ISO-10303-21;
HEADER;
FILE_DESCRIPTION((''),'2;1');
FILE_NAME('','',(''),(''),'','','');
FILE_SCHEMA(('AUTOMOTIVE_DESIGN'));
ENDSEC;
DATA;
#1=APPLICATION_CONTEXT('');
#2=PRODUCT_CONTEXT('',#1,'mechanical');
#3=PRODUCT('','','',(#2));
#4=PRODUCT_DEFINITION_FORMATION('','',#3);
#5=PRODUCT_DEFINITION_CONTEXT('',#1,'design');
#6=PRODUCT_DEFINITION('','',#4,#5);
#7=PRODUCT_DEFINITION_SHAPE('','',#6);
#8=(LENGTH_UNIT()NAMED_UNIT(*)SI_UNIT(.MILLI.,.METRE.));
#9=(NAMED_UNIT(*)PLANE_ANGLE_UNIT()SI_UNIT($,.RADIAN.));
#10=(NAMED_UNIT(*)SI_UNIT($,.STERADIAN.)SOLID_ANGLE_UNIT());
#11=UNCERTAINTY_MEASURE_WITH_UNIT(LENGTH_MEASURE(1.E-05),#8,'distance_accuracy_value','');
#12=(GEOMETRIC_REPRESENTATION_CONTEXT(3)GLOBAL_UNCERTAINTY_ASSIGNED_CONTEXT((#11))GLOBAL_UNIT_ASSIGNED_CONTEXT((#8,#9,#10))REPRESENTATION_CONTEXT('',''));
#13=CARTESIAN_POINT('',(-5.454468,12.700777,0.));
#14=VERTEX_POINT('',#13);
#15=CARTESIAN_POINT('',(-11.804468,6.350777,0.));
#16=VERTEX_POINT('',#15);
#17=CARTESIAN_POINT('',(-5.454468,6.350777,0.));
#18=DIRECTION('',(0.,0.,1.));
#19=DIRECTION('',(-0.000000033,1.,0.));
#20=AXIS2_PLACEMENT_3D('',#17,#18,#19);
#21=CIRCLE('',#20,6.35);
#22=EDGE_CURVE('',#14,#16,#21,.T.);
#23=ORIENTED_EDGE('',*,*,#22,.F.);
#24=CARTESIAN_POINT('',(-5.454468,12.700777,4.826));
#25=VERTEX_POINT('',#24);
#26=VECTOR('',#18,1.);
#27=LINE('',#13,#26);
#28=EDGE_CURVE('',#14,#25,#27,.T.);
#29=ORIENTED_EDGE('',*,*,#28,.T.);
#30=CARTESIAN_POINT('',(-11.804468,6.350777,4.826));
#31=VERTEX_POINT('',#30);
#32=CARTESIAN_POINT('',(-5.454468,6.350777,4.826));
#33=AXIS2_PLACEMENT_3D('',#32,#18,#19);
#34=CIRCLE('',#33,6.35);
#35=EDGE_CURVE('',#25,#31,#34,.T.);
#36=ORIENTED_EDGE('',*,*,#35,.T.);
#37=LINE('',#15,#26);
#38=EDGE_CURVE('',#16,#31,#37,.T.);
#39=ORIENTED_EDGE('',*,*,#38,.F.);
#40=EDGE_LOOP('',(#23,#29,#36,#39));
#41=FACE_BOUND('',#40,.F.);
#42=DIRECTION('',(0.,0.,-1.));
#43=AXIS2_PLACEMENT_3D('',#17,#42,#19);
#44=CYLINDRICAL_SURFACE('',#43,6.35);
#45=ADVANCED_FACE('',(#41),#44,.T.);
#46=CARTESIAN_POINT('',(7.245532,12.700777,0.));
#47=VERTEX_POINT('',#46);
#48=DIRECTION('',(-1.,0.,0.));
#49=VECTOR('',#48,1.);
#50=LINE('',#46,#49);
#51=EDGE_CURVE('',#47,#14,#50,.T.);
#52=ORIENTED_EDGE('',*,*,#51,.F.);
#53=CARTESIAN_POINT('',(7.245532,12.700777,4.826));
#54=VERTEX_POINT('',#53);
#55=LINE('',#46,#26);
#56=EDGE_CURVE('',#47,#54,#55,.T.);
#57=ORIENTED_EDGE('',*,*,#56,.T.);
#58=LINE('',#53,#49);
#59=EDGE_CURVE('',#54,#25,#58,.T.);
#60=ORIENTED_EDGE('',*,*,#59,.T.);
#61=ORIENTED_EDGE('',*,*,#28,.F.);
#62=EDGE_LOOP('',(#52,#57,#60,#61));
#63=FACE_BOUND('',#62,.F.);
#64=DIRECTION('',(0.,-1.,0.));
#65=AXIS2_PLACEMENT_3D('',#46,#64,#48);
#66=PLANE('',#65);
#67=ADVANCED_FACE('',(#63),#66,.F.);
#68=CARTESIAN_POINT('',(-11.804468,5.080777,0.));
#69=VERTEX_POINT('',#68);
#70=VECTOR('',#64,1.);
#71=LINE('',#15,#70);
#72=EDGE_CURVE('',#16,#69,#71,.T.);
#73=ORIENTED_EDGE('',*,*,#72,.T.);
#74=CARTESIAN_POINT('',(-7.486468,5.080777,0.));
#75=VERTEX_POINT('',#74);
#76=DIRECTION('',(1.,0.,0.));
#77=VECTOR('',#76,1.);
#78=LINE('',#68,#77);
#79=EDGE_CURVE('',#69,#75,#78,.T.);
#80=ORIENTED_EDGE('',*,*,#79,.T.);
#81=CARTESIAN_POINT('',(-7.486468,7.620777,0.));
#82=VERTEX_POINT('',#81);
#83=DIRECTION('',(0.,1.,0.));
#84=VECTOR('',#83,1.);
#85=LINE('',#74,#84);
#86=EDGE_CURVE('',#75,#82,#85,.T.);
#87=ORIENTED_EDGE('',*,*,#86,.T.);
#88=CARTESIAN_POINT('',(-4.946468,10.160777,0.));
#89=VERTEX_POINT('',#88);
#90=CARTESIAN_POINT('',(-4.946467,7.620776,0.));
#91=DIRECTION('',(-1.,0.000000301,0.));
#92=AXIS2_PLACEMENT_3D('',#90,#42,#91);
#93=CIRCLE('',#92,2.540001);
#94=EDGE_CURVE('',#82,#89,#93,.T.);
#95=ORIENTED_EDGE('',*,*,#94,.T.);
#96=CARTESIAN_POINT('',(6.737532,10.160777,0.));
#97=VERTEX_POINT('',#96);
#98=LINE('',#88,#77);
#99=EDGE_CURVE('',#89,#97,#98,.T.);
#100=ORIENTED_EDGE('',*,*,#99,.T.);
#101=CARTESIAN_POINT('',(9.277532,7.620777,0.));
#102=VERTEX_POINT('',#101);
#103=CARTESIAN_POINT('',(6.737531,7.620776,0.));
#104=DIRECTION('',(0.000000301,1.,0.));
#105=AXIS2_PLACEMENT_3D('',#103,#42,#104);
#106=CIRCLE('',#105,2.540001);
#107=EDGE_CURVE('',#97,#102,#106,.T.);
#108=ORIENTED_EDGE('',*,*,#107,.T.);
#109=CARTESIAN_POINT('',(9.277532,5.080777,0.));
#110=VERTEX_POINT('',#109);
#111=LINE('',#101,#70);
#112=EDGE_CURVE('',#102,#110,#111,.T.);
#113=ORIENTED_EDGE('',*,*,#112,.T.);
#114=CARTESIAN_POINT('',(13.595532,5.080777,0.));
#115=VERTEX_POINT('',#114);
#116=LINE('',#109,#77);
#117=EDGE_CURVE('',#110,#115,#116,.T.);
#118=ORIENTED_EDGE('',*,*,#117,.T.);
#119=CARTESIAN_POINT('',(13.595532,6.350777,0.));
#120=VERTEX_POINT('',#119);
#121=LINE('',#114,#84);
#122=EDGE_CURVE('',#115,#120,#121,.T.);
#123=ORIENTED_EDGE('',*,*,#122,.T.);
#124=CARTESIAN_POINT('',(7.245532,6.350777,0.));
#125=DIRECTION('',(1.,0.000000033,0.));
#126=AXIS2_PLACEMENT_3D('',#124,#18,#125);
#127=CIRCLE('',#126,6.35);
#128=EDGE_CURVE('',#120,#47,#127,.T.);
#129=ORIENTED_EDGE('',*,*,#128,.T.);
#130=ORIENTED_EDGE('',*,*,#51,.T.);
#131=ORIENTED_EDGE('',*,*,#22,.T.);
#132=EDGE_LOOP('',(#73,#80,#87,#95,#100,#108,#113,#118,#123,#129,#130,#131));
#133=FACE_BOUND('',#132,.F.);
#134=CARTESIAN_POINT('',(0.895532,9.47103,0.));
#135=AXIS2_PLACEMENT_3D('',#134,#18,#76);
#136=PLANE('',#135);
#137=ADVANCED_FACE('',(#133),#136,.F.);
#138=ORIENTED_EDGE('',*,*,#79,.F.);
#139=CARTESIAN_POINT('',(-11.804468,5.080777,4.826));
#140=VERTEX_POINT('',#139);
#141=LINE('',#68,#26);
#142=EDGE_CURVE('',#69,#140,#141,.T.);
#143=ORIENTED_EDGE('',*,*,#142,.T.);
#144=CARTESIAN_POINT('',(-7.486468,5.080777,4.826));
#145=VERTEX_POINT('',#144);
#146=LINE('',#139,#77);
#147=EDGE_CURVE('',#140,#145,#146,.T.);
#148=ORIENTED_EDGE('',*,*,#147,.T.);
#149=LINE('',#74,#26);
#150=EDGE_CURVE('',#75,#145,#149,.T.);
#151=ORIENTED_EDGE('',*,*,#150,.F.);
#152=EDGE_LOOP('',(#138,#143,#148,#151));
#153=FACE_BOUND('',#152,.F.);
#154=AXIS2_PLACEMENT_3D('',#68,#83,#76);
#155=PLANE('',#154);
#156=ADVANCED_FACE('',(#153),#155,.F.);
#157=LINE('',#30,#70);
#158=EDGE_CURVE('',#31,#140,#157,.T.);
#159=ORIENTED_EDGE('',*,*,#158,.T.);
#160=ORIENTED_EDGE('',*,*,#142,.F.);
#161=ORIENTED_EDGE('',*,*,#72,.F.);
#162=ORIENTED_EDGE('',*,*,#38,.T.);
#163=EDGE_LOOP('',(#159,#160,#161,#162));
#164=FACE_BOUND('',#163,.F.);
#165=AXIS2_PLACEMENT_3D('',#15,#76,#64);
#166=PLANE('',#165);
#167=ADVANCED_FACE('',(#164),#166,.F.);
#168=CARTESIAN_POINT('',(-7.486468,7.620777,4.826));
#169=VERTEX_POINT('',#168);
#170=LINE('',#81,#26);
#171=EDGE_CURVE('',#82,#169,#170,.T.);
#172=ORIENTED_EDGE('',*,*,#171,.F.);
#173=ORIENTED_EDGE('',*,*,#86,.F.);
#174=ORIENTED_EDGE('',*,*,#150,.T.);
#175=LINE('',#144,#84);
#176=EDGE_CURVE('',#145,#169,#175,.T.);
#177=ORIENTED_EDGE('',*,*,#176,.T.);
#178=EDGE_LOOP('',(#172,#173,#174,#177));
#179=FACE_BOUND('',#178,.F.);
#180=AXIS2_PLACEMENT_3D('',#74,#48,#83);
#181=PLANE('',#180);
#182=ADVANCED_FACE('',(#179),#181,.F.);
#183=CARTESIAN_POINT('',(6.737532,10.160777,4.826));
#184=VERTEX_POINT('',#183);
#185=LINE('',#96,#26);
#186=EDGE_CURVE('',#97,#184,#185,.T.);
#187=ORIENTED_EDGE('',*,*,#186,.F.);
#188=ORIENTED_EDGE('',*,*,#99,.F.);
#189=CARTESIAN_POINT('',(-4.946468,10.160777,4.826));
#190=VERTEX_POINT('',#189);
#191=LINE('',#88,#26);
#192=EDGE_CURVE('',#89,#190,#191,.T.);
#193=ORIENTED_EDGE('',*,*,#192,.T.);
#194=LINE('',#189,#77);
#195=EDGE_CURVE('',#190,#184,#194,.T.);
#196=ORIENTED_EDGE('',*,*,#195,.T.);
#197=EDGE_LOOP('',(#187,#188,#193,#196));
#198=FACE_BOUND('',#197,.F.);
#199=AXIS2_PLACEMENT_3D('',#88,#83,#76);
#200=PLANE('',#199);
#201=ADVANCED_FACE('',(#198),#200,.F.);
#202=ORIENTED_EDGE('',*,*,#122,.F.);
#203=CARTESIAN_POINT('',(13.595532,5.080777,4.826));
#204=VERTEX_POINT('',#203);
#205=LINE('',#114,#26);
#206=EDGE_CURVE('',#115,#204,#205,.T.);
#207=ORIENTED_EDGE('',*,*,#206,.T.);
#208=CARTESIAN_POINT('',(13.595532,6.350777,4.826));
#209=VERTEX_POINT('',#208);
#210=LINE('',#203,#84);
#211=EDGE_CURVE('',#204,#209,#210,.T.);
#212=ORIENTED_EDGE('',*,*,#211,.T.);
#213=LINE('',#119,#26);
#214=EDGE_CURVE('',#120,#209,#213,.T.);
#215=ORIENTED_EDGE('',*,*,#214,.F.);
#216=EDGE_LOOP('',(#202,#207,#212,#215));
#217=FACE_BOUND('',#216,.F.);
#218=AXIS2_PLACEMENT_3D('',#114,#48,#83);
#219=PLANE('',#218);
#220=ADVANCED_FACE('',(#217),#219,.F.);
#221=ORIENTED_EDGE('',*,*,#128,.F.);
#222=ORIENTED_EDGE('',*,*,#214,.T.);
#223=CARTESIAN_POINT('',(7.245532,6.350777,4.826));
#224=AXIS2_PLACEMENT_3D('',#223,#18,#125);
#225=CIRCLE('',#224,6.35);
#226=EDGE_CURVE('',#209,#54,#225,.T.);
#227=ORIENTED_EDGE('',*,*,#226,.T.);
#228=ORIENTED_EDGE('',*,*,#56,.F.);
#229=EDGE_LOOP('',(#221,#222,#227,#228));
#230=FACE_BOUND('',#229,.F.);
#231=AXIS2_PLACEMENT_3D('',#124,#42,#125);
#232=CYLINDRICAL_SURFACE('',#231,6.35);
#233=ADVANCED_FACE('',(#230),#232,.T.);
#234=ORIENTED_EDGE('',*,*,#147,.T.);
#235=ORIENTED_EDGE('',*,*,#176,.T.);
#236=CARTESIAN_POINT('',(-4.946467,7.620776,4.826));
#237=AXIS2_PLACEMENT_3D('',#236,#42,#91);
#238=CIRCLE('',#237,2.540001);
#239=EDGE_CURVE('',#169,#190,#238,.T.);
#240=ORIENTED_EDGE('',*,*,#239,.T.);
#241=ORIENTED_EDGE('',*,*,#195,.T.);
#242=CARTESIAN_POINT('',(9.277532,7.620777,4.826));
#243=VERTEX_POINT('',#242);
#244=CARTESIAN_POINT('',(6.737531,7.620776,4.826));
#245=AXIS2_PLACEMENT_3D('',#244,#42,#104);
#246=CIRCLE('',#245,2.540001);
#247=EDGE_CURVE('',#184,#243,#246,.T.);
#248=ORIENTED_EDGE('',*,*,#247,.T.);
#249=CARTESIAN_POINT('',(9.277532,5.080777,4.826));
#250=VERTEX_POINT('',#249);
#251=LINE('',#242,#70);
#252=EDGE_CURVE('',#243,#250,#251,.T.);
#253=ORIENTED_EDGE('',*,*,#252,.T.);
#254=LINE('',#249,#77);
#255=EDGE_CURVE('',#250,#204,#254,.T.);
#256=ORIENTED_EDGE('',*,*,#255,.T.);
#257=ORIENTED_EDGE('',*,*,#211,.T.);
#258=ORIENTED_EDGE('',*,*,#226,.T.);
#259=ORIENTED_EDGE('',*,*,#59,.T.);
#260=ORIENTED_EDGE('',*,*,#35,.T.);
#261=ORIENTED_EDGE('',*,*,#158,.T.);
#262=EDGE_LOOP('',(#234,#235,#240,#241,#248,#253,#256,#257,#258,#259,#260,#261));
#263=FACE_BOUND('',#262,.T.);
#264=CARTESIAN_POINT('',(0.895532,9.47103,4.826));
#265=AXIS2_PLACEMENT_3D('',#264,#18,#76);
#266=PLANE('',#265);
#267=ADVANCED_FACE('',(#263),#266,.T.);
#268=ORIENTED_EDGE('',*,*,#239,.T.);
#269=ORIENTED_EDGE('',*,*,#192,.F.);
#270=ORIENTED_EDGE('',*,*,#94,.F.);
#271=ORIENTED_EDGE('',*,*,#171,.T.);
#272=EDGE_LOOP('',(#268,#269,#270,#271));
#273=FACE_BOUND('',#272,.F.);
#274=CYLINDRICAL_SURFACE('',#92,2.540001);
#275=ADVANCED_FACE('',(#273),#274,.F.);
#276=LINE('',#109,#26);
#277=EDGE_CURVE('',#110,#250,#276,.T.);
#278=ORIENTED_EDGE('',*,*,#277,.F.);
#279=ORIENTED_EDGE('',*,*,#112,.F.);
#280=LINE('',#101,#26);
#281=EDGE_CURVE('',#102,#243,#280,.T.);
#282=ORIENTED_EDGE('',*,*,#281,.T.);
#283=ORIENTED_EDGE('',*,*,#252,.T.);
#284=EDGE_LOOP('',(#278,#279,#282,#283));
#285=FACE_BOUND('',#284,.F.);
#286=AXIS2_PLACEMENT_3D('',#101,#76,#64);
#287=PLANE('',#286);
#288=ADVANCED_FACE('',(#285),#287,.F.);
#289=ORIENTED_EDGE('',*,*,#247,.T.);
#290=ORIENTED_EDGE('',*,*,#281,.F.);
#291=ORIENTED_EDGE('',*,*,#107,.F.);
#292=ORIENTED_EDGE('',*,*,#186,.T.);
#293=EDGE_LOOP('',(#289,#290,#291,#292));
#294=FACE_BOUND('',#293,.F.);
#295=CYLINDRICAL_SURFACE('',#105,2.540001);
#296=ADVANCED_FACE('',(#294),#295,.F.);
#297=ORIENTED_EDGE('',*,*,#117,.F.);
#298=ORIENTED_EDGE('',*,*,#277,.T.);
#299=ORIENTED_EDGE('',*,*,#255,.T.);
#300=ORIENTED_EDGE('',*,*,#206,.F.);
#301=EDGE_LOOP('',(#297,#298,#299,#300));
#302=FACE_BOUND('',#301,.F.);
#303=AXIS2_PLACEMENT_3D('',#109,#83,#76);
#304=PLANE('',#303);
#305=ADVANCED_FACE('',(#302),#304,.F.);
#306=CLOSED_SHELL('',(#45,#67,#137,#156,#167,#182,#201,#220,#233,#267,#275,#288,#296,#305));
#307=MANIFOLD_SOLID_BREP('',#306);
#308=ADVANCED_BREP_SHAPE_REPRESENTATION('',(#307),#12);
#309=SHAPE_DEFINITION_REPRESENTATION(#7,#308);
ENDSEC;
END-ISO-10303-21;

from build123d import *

# Parameters (mm, degrees)
F1_DEPTH = 4.826


with BuildPart() as f1:
    # F0 (on Top) → F1 (new body)
    with BuildSketch(Plane.XY):
        with BuildLine():
            Line((-11.804468, 6.350777), (-11.804468, 5.080777))
            Line((-11.804468, 5.080777), (-7.486468, 5.080777))
            Line((-7.486468, 5.080777), (-7.486468, 7.620777))
            ThreePointArc((-7.486468, 7.620777), (-6.742519, 9.416828), (-4.946468, 10.160777))
            Line((-4.946468, 10.160777), (6.737532, 10.160777))
            ThreePointArc((6.737532, 10.160777), (8.533583, 9.416828), (9.277532, 7.620777))
            Line((9.277532, 7.620777), (9.277532, 5.080777))
            Line((9.277532, 5.080777), (13.595532, 5.080777))
            Line((13.595532, 5.080777), (13.595532, 6.350777))
            ThreePointArc((13.595532, 6.350777), (11.73566, 10.840905), (7.245532, 12.700777))
            Line((7.245532, 12.700777), (-5.454468, 12.700777))
            ThreePointArc((-5.454468, 12.700777), (-9.944596, 10.840905), (-11.804468, 6.350777))
        make_face()
    extrude(amount=F1_DEPTH)


solid = f1.part
